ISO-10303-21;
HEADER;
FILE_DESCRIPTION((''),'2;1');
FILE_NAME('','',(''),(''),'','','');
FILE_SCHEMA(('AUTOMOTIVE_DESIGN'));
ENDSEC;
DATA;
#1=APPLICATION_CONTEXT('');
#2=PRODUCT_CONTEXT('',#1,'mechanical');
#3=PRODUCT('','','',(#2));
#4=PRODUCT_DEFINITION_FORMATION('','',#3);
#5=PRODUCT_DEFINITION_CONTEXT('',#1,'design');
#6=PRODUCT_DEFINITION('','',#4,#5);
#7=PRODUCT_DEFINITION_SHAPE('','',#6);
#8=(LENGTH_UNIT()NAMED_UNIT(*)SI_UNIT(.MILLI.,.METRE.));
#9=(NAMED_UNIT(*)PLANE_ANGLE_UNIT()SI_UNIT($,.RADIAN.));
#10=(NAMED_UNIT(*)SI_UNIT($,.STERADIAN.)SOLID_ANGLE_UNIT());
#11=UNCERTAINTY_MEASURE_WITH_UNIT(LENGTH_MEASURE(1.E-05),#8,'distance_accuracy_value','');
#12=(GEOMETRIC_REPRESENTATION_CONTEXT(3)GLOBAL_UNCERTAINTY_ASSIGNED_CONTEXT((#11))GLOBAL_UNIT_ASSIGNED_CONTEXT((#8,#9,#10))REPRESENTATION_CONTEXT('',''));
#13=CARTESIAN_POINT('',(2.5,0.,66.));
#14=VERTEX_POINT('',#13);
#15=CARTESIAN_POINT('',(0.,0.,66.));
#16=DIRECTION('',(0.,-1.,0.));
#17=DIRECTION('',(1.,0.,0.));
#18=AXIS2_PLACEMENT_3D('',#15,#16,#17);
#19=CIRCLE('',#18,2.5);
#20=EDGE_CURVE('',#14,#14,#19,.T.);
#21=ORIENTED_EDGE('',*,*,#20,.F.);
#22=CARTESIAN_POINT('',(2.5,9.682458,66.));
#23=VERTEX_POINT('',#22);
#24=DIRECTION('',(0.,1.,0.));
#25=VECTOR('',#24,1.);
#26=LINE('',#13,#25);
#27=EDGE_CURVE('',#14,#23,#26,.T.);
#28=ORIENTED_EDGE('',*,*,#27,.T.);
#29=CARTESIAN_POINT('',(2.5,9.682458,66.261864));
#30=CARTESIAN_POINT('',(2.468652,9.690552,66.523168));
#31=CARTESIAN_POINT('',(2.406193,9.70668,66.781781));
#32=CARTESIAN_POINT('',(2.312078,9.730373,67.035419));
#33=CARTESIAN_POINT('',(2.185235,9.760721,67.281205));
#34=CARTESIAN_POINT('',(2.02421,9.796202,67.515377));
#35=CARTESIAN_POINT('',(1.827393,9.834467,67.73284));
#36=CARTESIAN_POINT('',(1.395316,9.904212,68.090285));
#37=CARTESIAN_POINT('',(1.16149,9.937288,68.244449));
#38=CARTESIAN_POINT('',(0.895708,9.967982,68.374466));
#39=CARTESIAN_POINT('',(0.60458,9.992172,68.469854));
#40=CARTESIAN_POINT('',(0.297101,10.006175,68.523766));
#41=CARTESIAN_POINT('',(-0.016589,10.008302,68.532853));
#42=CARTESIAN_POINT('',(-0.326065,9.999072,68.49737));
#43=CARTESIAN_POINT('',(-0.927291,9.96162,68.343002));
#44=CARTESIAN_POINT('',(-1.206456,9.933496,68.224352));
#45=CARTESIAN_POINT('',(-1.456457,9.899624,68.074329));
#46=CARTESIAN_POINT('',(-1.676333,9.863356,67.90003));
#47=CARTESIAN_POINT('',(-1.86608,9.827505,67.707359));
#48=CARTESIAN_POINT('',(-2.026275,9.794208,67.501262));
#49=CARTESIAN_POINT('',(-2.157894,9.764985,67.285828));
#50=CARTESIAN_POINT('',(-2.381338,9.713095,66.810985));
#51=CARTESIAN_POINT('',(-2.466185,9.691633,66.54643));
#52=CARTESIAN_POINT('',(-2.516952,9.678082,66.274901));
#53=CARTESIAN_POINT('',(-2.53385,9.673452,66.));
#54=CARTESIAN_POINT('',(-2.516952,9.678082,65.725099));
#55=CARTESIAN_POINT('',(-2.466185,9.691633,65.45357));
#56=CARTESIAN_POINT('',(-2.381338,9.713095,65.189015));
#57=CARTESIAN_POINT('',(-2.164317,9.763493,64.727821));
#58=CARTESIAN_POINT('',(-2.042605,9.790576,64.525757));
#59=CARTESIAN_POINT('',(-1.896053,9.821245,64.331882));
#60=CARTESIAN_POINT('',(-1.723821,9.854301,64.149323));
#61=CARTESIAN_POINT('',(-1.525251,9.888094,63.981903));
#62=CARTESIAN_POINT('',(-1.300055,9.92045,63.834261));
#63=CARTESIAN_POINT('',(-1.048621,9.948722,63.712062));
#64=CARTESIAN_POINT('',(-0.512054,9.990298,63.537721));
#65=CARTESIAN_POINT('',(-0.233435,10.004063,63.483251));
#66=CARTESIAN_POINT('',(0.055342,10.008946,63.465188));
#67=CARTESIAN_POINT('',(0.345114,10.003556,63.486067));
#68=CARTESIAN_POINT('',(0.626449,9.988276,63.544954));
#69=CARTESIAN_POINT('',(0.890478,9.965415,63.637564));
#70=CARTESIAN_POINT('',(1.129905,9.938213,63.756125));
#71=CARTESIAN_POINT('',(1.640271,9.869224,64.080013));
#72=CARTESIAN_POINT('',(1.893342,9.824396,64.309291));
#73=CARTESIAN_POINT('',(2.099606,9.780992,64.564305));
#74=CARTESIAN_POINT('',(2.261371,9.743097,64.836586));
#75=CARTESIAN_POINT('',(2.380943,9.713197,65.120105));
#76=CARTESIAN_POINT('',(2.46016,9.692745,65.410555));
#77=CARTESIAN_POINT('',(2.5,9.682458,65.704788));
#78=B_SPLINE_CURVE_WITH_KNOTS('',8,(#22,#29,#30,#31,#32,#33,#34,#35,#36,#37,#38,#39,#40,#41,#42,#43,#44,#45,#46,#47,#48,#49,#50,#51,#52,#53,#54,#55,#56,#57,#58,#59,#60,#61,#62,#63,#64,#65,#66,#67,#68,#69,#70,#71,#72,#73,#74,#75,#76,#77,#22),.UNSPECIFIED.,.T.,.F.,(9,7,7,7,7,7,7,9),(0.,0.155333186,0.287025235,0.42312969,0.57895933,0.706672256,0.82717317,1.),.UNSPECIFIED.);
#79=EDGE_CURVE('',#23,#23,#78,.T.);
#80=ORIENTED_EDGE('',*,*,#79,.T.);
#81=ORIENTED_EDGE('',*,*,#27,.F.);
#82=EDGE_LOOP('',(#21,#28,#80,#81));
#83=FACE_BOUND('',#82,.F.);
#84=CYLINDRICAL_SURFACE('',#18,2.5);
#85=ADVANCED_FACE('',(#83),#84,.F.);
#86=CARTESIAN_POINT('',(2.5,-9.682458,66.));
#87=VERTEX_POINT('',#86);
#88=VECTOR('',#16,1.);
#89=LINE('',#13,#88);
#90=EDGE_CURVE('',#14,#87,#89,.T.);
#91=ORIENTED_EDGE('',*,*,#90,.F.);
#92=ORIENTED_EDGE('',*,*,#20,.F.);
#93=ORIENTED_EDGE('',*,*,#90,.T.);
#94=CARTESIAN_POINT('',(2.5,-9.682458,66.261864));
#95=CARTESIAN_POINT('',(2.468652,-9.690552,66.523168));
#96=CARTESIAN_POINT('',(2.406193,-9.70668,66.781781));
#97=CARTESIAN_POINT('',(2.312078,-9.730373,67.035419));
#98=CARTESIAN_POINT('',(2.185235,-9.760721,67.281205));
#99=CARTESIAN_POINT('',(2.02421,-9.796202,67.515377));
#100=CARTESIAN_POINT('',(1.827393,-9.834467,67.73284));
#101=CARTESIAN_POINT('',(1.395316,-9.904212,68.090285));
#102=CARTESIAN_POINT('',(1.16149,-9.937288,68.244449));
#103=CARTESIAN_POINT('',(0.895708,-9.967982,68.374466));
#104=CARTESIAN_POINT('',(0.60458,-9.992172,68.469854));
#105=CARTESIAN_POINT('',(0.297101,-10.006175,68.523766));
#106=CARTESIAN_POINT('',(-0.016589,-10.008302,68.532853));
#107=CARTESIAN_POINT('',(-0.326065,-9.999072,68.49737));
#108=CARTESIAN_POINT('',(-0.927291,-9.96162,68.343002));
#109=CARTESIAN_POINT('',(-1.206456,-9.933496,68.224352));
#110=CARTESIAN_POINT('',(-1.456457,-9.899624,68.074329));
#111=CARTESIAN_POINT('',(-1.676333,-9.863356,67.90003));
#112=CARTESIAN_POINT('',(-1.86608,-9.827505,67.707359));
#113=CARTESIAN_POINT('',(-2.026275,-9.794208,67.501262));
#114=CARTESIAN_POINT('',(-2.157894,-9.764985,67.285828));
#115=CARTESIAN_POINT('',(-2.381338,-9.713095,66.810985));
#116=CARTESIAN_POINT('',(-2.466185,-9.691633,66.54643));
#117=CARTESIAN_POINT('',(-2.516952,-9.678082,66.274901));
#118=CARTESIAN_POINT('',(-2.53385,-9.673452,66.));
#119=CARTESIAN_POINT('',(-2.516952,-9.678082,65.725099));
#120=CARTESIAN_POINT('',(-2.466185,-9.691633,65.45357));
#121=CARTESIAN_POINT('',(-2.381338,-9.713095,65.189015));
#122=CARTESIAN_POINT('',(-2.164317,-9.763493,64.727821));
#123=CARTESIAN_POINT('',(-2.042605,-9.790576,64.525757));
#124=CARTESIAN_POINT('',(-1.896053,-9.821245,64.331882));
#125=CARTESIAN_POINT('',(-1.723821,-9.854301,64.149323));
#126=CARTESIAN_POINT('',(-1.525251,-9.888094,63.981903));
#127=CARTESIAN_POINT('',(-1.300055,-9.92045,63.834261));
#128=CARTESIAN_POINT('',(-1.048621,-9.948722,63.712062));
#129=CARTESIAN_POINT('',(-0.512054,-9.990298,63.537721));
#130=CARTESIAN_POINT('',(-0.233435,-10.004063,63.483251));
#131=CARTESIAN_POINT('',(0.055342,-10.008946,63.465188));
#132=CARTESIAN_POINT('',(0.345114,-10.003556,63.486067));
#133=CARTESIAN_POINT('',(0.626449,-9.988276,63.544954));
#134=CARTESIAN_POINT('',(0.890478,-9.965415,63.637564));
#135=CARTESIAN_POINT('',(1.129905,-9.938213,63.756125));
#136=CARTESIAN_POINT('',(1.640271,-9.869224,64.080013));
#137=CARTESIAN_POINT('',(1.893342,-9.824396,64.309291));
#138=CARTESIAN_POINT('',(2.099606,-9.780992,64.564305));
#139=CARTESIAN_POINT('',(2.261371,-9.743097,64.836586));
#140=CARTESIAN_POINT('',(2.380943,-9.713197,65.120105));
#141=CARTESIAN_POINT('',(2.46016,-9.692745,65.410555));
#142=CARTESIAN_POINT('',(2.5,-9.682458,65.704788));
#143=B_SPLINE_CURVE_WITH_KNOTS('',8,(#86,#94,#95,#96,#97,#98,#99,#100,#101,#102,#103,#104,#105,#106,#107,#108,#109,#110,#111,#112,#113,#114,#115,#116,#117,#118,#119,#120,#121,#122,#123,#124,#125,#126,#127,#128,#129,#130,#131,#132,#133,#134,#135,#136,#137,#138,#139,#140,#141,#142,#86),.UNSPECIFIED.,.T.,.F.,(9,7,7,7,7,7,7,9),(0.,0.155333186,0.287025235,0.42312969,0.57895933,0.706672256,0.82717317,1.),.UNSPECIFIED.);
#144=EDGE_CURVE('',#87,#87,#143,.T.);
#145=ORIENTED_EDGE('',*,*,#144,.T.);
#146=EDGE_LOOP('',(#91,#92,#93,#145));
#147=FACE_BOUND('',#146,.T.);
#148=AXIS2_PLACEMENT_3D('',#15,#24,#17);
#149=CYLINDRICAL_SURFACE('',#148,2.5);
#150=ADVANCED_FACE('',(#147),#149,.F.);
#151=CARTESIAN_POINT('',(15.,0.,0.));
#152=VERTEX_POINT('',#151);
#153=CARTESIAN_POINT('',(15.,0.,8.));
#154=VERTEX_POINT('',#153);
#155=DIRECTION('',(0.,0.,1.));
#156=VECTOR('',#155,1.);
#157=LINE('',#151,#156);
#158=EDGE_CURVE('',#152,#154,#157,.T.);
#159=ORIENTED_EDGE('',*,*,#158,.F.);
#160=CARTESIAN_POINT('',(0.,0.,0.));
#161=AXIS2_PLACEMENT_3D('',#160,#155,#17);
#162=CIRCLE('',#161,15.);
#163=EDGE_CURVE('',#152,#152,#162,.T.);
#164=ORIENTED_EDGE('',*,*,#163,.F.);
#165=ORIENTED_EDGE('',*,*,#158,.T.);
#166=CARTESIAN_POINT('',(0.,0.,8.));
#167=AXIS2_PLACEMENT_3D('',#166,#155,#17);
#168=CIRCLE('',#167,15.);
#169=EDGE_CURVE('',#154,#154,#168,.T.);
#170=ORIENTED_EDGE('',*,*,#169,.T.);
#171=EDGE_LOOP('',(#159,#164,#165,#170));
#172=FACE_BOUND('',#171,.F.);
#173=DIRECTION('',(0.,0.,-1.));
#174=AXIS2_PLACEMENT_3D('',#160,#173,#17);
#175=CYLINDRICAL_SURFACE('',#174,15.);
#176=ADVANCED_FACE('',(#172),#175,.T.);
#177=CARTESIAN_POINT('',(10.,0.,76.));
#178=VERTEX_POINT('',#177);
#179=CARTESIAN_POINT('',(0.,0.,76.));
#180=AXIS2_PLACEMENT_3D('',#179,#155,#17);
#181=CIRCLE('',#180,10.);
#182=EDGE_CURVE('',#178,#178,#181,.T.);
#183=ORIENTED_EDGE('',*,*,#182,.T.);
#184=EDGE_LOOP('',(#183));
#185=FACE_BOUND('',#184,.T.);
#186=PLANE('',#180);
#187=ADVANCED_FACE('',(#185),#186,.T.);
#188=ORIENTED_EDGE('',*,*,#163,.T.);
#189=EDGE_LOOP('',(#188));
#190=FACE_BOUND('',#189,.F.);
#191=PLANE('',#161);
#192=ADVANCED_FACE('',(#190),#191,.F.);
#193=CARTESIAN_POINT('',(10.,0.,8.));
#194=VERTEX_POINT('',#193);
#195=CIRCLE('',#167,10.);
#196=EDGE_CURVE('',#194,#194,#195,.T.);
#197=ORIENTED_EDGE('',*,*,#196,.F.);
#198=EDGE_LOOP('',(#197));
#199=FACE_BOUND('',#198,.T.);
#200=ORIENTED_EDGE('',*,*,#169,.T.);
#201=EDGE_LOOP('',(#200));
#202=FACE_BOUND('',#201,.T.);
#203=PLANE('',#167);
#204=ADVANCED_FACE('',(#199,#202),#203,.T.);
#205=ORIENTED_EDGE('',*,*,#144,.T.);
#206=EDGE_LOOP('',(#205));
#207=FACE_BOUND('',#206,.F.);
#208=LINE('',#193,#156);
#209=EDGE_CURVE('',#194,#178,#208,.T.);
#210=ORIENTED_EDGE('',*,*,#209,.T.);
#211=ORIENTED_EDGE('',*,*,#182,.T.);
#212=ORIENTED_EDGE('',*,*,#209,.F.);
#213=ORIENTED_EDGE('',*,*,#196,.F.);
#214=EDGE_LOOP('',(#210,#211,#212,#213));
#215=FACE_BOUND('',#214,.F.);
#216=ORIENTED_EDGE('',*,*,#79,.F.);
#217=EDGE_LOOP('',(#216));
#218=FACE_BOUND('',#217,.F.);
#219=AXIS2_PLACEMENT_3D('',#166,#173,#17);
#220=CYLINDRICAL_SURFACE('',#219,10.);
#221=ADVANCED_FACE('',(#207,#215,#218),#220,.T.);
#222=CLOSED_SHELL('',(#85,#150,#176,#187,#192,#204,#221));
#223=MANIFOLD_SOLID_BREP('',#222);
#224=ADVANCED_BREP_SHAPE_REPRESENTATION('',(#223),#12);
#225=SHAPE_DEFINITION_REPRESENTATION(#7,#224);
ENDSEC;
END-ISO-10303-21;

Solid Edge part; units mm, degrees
sketch "Sketch1" plane through (0, 0, 0) normal (0, 0, 1) x (1, 0, 0)
  circle A0 centre (0, 0) radius 15
  dimension "D1" = 30
extrude "Protrusion1" add sketch "Sketch1" along normal blind 8
sketch "Sketch2" plane through (0, 0, 8) normal (0, 0, 1) x (1, 0, 0)
  circle A0 centre (0, 0) radius 10
  dimension "D1" = 20
extrude "ExtrudedProtrusion_2" add sketch "Sketch2" along normal blind 68
sketch "Sketch3" plane through (0, 0, 0) normal (0, -1, 0) x (1, 0, 0)
  circle A0 centre (0, 66) radius 2.5
  dimension "D1" = 10
extrude "ExtrudedCutout_1" cut sketch "Sketch3" along normal mid plane 66.3708
properties part number "3"
